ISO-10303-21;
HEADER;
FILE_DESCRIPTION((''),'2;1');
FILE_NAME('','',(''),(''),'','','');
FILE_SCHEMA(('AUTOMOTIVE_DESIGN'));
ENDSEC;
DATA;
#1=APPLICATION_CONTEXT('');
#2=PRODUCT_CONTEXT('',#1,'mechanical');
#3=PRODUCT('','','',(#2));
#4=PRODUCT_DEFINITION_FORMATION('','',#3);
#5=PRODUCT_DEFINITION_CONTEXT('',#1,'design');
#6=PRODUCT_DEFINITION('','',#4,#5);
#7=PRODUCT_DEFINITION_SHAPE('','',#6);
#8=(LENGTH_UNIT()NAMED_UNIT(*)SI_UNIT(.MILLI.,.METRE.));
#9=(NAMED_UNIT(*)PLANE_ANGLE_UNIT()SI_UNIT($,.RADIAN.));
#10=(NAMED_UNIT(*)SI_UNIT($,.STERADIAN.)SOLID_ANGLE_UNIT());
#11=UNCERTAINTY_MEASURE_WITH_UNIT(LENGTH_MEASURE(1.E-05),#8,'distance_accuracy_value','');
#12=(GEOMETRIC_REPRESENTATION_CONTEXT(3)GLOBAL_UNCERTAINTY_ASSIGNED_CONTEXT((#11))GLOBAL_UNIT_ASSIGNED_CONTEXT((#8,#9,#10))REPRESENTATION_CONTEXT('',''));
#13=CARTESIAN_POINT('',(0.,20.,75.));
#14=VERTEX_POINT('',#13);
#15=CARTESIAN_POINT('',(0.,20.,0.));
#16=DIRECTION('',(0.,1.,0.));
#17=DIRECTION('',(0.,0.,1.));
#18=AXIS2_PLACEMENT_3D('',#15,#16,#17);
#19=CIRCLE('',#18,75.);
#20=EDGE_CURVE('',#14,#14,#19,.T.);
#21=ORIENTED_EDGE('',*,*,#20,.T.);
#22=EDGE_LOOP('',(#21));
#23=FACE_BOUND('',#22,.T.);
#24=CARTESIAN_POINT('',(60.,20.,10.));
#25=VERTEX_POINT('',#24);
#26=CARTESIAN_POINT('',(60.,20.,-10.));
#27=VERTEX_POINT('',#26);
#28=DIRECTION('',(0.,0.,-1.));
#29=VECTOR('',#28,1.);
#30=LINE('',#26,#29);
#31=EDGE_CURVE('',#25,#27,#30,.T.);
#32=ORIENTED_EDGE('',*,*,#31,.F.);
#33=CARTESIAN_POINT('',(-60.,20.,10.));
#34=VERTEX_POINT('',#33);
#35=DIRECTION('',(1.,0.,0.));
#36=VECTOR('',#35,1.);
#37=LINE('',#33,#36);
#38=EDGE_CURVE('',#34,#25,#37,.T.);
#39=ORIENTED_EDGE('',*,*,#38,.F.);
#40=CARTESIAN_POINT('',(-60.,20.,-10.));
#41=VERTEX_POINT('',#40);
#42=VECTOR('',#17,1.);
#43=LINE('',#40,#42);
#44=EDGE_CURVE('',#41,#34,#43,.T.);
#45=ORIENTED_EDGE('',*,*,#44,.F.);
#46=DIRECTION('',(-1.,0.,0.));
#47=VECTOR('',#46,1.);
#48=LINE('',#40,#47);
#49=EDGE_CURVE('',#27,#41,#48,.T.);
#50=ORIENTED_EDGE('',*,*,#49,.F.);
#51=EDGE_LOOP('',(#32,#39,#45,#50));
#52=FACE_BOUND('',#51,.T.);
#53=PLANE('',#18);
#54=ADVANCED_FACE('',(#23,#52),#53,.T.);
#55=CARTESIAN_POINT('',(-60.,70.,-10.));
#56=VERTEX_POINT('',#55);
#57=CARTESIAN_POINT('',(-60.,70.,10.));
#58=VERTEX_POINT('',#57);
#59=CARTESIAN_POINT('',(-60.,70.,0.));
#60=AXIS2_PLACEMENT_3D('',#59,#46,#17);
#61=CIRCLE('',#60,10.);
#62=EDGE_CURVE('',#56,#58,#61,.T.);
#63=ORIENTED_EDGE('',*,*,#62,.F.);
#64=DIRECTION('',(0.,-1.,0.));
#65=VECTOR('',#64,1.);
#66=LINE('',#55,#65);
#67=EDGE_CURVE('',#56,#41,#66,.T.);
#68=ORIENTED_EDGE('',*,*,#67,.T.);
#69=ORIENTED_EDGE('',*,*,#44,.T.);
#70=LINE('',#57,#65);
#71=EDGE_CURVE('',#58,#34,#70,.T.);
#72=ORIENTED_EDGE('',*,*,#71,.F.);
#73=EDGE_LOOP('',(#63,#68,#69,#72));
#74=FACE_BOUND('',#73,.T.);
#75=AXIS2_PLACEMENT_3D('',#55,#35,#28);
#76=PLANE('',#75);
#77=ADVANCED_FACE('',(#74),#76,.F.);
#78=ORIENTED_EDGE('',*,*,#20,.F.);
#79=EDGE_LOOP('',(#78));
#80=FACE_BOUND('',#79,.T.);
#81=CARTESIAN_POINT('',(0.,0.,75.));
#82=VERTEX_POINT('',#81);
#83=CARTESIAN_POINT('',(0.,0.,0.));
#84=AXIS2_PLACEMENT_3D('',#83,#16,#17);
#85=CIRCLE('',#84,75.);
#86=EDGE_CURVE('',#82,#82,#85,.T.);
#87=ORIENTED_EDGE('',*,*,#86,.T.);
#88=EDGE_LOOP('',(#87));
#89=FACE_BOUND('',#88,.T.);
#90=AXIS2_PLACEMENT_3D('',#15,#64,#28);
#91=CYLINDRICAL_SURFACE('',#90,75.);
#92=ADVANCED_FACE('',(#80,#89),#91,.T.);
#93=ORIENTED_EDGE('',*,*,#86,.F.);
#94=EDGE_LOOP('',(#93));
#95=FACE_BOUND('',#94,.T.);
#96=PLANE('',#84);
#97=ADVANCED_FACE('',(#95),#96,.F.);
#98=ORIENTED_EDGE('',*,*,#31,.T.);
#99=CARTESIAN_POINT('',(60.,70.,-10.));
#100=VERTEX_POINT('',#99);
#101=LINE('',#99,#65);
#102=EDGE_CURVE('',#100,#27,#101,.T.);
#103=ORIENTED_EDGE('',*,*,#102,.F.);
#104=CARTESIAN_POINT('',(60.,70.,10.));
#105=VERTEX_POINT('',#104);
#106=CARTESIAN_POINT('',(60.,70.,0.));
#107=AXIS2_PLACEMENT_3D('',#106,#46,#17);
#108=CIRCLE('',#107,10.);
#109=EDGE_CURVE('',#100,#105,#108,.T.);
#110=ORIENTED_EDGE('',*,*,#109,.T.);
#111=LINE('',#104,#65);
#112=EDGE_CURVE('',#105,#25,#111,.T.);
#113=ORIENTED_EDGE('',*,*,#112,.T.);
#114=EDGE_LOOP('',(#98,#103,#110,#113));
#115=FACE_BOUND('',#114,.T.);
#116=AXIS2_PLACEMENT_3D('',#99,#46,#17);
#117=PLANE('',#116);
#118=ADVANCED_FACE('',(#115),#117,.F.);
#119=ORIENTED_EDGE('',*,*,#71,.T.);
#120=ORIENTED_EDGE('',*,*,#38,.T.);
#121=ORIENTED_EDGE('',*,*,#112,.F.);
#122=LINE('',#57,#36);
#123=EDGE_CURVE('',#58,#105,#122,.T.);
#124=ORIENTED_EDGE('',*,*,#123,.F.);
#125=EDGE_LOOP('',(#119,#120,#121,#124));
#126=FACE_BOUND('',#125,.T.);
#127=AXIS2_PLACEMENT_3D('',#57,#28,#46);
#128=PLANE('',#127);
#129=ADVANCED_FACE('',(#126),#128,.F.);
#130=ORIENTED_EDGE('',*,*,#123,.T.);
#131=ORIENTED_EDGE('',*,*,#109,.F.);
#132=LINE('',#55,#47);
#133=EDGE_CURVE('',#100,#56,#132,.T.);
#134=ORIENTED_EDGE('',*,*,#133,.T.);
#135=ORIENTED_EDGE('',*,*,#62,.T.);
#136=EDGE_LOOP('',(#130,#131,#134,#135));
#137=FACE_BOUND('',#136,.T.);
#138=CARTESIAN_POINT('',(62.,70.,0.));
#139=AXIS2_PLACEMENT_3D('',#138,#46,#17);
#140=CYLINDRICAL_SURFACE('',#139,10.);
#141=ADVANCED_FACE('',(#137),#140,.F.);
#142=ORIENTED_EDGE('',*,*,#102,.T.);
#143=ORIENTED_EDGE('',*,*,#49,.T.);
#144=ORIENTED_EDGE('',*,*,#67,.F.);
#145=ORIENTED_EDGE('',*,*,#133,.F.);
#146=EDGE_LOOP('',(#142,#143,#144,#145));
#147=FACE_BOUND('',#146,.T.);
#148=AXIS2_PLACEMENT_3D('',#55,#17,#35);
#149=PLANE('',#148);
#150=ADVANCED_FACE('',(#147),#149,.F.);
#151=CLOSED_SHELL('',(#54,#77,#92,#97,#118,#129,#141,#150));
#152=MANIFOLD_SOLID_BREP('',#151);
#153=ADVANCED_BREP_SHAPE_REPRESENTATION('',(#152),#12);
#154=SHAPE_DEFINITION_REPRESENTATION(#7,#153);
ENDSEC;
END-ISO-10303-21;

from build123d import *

# Parameters (mm, degrees)
SKIZZE1_R                       = 75
AUFSATZ_LINEAR_AUSTRAGEN1_DEPTH = 20
SKIZZE2_W                       = 120
SKIZZE2_H                       = 20
AUFSATZ_LINEAR_AUSTRAGEN2_DEPTH = 50
SKIZZE4_R                       = 10
SCHNITT_LINEAR_AUSTRAGEN2_DEPTH = 122


with BuildPart() as part:
    # Skizze1 → Aufsatz-Linear austragen1 (new body)
    with BuildSketch(Plane(origin=(0, 0, 0), x_dir=(1, 0, 0), z_dir=(0, 1, 0))):
        with Locations(Location((0, 0, 0), (0, 0, 270))):
            Circle(SKIZZE1_R)
    extrude(amount=AUFSATZ_LINEAR_AUSTRAGEN1_DEPTH)

    # Skizze2 → Aufsatz-Linear austragen2 (add)
    with BuildSketch(Plane(origin=(0, 20, 0), x_dir=(1, 0, 0), z_dir=(0, 1, 0))):
        Rectangle(SKIZZE2_W, SKIZZE2_H)
    extrude(amount=AUFSATZ_LINEAR_AUSTRAGEN2_DEPTH)

    # Skizze4 → Schnitt-Linear austragen2 (cut)
    with BuildSketch(Plane.ZY.offset(60)):
        with Locations((0, 70)):
            Circle(SKIZZE4_R)
    extrude(amount=-SCHNITT_LINEAR_AUSTRAGEN2_DEPTH, mode=Mode.SUBTRACT)


solid = part.part
